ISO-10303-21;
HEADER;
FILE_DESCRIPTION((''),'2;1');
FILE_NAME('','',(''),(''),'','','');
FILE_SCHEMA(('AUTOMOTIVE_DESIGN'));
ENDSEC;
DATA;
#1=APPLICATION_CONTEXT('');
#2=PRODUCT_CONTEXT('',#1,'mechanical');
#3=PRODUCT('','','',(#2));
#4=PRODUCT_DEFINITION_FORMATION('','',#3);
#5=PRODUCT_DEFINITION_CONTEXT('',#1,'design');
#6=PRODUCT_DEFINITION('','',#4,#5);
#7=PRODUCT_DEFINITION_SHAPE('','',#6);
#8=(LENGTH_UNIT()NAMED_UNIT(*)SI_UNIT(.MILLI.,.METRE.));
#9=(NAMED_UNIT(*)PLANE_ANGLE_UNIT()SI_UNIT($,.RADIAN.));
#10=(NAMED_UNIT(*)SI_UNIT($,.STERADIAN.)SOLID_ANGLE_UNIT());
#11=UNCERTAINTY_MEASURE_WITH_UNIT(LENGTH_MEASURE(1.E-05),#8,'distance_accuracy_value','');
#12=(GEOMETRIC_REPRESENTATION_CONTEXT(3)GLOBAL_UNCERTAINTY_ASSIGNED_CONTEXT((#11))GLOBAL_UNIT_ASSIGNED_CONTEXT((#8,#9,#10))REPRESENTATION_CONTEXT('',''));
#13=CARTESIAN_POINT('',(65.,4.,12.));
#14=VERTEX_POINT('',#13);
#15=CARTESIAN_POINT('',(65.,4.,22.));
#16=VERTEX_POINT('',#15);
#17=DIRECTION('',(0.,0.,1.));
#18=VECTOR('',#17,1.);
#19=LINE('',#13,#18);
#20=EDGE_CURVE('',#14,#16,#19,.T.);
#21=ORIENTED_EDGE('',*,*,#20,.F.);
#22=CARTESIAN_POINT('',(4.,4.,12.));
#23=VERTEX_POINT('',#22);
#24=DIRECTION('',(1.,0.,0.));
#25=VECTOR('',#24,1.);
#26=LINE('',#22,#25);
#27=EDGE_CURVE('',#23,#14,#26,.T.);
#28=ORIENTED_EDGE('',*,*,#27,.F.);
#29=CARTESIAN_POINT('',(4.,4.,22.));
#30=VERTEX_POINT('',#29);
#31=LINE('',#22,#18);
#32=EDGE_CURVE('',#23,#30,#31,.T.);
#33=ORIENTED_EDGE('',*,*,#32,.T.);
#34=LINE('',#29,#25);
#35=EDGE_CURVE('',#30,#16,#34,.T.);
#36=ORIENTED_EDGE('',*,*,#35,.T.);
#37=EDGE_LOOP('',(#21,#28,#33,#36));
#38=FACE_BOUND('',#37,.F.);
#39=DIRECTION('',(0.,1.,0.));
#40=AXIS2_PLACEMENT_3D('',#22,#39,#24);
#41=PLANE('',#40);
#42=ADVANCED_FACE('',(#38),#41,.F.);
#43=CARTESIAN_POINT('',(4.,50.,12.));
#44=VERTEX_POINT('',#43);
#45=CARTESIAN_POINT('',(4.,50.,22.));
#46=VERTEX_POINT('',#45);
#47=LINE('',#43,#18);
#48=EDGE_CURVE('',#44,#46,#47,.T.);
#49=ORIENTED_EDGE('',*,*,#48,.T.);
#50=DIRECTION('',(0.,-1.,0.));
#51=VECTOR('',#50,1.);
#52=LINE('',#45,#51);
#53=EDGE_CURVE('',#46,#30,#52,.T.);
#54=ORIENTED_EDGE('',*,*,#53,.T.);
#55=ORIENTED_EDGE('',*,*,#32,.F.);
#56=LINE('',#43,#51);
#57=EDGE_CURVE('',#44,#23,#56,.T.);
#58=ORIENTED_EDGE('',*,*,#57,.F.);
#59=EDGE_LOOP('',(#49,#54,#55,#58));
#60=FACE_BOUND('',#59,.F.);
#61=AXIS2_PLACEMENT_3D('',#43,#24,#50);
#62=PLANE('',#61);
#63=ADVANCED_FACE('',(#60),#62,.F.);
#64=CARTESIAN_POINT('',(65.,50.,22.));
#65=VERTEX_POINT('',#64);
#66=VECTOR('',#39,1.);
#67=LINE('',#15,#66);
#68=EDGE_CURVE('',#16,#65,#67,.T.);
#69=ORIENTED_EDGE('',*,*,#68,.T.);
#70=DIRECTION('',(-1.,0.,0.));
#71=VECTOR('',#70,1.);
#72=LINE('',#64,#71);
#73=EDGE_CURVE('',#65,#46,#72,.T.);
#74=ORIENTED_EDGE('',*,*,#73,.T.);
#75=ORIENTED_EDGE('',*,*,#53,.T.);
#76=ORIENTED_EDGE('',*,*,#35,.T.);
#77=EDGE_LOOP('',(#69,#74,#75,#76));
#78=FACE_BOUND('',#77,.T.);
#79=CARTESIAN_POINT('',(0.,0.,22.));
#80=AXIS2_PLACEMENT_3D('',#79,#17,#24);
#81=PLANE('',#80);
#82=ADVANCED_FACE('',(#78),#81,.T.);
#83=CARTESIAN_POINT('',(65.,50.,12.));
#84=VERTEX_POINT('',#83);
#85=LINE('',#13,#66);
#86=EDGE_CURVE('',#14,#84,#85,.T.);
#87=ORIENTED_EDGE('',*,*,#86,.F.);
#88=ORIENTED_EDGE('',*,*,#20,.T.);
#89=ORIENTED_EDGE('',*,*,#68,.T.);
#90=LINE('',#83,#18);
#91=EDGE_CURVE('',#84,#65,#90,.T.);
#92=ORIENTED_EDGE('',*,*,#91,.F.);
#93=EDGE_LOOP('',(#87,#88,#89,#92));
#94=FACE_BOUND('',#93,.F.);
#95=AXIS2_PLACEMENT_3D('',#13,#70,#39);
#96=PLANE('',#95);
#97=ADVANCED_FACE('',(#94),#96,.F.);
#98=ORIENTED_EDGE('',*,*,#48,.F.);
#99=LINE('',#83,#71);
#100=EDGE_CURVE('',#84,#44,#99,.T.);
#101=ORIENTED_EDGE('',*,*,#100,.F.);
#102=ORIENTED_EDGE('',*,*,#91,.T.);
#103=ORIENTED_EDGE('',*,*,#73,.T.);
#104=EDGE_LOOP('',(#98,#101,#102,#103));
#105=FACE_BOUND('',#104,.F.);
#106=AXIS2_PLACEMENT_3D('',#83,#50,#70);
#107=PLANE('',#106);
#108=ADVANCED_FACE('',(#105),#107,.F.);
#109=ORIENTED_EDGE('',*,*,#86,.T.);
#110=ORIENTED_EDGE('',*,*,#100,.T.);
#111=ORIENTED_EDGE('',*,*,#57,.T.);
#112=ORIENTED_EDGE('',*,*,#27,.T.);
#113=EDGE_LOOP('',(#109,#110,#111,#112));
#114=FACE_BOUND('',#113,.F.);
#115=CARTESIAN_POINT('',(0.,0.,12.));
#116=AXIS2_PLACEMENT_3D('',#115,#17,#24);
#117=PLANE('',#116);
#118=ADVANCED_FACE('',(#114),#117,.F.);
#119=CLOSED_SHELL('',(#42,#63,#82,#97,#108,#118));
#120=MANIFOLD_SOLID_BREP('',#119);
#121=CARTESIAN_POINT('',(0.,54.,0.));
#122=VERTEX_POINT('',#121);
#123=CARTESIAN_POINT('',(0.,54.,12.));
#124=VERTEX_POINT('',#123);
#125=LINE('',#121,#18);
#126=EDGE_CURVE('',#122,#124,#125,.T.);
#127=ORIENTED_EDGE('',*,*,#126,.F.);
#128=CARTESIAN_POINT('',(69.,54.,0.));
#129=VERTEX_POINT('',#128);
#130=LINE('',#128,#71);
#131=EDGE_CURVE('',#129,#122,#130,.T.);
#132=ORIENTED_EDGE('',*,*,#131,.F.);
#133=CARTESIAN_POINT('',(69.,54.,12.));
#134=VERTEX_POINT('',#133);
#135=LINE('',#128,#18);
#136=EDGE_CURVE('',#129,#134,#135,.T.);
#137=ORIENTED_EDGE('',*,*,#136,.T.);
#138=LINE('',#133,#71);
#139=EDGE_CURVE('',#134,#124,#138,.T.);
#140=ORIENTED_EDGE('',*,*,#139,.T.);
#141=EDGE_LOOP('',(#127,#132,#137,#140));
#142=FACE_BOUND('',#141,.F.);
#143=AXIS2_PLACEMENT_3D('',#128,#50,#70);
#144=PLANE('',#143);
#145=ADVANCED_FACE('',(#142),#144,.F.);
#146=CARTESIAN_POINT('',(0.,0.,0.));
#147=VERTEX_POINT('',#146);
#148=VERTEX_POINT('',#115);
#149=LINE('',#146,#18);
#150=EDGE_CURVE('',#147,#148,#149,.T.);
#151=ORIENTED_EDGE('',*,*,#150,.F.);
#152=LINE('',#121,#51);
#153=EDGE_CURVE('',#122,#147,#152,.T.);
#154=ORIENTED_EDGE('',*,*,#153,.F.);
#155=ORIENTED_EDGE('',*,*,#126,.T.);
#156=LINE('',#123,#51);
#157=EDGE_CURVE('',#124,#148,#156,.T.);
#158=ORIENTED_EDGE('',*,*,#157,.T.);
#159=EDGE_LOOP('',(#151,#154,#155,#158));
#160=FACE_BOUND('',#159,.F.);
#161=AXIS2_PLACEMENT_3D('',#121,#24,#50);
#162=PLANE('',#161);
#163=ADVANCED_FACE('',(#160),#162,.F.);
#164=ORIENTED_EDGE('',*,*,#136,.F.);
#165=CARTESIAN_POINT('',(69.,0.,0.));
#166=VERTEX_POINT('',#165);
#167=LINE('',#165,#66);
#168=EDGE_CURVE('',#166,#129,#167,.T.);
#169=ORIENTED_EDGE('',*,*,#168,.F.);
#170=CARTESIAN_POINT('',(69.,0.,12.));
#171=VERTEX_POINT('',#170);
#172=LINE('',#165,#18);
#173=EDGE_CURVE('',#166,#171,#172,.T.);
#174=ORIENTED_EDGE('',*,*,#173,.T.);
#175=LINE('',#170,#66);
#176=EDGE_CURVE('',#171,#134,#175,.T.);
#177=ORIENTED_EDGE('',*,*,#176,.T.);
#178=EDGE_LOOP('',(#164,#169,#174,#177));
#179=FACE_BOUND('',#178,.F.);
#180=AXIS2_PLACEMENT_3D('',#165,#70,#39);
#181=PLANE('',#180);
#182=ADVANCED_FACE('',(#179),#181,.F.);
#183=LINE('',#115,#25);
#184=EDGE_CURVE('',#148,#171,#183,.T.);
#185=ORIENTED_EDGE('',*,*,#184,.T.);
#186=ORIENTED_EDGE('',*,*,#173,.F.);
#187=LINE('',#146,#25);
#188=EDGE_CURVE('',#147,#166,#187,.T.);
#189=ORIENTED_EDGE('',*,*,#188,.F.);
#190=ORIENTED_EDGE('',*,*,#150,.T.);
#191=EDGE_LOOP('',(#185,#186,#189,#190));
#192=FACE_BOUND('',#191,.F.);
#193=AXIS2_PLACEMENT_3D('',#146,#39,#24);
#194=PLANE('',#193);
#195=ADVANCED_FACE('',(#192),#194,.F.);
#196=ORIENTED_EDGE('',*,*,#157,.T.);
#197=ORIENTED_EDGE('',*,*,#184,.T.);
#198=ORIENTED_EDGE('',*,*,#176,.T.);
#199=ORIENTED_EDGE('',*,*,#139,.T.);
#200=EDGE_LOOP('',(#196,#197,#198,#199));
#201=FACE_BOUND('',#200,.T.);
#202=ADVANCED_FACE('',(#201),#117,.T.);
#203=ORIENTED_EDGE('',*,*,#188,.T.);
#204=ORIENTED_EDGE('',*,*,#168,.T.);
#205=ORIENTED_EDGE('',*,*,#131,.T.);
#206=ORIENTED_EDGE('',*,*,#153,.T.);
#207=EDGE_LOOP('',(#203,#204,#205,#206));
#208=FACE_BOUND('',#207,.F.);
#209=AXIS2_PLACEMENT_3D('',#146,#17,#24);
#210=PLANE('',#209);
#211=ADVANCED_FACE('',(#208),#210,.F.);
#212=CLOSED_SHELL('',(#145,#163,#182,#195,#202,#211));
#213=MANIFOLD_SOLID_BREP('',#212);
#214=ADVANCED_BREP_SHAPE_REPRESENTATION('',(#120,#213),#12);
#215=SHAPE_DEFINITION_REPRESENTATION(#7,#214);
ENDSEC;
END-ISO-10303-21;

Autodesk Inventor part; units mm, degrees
ref_plane "YZ Plane" through (0, 0, 0) normal (1, 0, 0) x (0, 1, 0)
ref_plane "XZ Plane" through (0, 0, 0) normal (0, 1, 0) x (-1, 0, 0)
sketch "Skizze1" plane through (0, 0, 0) normal (0, 0, 1) x (1, 0, 0)
  line L0 (0, 0) -> (69, 0)
  line L1 (69, 0) -> (69, 54)
  line L2 (69, 54) -> (0, 54)
  line L3 (0, 54) -> (0, 0)
extrude "Extrusion1" add sketch "Skizze1" along normal blind 12
ref_plane "Arbeitsebene1" through (0, 0, 12) normal (0, 0, 1) x (1, 0, 0)
sketch "Skizze2" plane through (0, 0, 12) normal (0, 0, 1) x (1, 0, 0)
  line L0 (4, 4) -> (65, 4)
  line L1 (65, 4) -> (65, 50)
  line L2 (65, 50) -> (4, 50)
  line L3 (4, 50) -> (4, 4)
extrude "Extrusion2" add sketch "Skizze2" along normal blind 10 separate body
properties part number "Arduino_Shield_ph"
